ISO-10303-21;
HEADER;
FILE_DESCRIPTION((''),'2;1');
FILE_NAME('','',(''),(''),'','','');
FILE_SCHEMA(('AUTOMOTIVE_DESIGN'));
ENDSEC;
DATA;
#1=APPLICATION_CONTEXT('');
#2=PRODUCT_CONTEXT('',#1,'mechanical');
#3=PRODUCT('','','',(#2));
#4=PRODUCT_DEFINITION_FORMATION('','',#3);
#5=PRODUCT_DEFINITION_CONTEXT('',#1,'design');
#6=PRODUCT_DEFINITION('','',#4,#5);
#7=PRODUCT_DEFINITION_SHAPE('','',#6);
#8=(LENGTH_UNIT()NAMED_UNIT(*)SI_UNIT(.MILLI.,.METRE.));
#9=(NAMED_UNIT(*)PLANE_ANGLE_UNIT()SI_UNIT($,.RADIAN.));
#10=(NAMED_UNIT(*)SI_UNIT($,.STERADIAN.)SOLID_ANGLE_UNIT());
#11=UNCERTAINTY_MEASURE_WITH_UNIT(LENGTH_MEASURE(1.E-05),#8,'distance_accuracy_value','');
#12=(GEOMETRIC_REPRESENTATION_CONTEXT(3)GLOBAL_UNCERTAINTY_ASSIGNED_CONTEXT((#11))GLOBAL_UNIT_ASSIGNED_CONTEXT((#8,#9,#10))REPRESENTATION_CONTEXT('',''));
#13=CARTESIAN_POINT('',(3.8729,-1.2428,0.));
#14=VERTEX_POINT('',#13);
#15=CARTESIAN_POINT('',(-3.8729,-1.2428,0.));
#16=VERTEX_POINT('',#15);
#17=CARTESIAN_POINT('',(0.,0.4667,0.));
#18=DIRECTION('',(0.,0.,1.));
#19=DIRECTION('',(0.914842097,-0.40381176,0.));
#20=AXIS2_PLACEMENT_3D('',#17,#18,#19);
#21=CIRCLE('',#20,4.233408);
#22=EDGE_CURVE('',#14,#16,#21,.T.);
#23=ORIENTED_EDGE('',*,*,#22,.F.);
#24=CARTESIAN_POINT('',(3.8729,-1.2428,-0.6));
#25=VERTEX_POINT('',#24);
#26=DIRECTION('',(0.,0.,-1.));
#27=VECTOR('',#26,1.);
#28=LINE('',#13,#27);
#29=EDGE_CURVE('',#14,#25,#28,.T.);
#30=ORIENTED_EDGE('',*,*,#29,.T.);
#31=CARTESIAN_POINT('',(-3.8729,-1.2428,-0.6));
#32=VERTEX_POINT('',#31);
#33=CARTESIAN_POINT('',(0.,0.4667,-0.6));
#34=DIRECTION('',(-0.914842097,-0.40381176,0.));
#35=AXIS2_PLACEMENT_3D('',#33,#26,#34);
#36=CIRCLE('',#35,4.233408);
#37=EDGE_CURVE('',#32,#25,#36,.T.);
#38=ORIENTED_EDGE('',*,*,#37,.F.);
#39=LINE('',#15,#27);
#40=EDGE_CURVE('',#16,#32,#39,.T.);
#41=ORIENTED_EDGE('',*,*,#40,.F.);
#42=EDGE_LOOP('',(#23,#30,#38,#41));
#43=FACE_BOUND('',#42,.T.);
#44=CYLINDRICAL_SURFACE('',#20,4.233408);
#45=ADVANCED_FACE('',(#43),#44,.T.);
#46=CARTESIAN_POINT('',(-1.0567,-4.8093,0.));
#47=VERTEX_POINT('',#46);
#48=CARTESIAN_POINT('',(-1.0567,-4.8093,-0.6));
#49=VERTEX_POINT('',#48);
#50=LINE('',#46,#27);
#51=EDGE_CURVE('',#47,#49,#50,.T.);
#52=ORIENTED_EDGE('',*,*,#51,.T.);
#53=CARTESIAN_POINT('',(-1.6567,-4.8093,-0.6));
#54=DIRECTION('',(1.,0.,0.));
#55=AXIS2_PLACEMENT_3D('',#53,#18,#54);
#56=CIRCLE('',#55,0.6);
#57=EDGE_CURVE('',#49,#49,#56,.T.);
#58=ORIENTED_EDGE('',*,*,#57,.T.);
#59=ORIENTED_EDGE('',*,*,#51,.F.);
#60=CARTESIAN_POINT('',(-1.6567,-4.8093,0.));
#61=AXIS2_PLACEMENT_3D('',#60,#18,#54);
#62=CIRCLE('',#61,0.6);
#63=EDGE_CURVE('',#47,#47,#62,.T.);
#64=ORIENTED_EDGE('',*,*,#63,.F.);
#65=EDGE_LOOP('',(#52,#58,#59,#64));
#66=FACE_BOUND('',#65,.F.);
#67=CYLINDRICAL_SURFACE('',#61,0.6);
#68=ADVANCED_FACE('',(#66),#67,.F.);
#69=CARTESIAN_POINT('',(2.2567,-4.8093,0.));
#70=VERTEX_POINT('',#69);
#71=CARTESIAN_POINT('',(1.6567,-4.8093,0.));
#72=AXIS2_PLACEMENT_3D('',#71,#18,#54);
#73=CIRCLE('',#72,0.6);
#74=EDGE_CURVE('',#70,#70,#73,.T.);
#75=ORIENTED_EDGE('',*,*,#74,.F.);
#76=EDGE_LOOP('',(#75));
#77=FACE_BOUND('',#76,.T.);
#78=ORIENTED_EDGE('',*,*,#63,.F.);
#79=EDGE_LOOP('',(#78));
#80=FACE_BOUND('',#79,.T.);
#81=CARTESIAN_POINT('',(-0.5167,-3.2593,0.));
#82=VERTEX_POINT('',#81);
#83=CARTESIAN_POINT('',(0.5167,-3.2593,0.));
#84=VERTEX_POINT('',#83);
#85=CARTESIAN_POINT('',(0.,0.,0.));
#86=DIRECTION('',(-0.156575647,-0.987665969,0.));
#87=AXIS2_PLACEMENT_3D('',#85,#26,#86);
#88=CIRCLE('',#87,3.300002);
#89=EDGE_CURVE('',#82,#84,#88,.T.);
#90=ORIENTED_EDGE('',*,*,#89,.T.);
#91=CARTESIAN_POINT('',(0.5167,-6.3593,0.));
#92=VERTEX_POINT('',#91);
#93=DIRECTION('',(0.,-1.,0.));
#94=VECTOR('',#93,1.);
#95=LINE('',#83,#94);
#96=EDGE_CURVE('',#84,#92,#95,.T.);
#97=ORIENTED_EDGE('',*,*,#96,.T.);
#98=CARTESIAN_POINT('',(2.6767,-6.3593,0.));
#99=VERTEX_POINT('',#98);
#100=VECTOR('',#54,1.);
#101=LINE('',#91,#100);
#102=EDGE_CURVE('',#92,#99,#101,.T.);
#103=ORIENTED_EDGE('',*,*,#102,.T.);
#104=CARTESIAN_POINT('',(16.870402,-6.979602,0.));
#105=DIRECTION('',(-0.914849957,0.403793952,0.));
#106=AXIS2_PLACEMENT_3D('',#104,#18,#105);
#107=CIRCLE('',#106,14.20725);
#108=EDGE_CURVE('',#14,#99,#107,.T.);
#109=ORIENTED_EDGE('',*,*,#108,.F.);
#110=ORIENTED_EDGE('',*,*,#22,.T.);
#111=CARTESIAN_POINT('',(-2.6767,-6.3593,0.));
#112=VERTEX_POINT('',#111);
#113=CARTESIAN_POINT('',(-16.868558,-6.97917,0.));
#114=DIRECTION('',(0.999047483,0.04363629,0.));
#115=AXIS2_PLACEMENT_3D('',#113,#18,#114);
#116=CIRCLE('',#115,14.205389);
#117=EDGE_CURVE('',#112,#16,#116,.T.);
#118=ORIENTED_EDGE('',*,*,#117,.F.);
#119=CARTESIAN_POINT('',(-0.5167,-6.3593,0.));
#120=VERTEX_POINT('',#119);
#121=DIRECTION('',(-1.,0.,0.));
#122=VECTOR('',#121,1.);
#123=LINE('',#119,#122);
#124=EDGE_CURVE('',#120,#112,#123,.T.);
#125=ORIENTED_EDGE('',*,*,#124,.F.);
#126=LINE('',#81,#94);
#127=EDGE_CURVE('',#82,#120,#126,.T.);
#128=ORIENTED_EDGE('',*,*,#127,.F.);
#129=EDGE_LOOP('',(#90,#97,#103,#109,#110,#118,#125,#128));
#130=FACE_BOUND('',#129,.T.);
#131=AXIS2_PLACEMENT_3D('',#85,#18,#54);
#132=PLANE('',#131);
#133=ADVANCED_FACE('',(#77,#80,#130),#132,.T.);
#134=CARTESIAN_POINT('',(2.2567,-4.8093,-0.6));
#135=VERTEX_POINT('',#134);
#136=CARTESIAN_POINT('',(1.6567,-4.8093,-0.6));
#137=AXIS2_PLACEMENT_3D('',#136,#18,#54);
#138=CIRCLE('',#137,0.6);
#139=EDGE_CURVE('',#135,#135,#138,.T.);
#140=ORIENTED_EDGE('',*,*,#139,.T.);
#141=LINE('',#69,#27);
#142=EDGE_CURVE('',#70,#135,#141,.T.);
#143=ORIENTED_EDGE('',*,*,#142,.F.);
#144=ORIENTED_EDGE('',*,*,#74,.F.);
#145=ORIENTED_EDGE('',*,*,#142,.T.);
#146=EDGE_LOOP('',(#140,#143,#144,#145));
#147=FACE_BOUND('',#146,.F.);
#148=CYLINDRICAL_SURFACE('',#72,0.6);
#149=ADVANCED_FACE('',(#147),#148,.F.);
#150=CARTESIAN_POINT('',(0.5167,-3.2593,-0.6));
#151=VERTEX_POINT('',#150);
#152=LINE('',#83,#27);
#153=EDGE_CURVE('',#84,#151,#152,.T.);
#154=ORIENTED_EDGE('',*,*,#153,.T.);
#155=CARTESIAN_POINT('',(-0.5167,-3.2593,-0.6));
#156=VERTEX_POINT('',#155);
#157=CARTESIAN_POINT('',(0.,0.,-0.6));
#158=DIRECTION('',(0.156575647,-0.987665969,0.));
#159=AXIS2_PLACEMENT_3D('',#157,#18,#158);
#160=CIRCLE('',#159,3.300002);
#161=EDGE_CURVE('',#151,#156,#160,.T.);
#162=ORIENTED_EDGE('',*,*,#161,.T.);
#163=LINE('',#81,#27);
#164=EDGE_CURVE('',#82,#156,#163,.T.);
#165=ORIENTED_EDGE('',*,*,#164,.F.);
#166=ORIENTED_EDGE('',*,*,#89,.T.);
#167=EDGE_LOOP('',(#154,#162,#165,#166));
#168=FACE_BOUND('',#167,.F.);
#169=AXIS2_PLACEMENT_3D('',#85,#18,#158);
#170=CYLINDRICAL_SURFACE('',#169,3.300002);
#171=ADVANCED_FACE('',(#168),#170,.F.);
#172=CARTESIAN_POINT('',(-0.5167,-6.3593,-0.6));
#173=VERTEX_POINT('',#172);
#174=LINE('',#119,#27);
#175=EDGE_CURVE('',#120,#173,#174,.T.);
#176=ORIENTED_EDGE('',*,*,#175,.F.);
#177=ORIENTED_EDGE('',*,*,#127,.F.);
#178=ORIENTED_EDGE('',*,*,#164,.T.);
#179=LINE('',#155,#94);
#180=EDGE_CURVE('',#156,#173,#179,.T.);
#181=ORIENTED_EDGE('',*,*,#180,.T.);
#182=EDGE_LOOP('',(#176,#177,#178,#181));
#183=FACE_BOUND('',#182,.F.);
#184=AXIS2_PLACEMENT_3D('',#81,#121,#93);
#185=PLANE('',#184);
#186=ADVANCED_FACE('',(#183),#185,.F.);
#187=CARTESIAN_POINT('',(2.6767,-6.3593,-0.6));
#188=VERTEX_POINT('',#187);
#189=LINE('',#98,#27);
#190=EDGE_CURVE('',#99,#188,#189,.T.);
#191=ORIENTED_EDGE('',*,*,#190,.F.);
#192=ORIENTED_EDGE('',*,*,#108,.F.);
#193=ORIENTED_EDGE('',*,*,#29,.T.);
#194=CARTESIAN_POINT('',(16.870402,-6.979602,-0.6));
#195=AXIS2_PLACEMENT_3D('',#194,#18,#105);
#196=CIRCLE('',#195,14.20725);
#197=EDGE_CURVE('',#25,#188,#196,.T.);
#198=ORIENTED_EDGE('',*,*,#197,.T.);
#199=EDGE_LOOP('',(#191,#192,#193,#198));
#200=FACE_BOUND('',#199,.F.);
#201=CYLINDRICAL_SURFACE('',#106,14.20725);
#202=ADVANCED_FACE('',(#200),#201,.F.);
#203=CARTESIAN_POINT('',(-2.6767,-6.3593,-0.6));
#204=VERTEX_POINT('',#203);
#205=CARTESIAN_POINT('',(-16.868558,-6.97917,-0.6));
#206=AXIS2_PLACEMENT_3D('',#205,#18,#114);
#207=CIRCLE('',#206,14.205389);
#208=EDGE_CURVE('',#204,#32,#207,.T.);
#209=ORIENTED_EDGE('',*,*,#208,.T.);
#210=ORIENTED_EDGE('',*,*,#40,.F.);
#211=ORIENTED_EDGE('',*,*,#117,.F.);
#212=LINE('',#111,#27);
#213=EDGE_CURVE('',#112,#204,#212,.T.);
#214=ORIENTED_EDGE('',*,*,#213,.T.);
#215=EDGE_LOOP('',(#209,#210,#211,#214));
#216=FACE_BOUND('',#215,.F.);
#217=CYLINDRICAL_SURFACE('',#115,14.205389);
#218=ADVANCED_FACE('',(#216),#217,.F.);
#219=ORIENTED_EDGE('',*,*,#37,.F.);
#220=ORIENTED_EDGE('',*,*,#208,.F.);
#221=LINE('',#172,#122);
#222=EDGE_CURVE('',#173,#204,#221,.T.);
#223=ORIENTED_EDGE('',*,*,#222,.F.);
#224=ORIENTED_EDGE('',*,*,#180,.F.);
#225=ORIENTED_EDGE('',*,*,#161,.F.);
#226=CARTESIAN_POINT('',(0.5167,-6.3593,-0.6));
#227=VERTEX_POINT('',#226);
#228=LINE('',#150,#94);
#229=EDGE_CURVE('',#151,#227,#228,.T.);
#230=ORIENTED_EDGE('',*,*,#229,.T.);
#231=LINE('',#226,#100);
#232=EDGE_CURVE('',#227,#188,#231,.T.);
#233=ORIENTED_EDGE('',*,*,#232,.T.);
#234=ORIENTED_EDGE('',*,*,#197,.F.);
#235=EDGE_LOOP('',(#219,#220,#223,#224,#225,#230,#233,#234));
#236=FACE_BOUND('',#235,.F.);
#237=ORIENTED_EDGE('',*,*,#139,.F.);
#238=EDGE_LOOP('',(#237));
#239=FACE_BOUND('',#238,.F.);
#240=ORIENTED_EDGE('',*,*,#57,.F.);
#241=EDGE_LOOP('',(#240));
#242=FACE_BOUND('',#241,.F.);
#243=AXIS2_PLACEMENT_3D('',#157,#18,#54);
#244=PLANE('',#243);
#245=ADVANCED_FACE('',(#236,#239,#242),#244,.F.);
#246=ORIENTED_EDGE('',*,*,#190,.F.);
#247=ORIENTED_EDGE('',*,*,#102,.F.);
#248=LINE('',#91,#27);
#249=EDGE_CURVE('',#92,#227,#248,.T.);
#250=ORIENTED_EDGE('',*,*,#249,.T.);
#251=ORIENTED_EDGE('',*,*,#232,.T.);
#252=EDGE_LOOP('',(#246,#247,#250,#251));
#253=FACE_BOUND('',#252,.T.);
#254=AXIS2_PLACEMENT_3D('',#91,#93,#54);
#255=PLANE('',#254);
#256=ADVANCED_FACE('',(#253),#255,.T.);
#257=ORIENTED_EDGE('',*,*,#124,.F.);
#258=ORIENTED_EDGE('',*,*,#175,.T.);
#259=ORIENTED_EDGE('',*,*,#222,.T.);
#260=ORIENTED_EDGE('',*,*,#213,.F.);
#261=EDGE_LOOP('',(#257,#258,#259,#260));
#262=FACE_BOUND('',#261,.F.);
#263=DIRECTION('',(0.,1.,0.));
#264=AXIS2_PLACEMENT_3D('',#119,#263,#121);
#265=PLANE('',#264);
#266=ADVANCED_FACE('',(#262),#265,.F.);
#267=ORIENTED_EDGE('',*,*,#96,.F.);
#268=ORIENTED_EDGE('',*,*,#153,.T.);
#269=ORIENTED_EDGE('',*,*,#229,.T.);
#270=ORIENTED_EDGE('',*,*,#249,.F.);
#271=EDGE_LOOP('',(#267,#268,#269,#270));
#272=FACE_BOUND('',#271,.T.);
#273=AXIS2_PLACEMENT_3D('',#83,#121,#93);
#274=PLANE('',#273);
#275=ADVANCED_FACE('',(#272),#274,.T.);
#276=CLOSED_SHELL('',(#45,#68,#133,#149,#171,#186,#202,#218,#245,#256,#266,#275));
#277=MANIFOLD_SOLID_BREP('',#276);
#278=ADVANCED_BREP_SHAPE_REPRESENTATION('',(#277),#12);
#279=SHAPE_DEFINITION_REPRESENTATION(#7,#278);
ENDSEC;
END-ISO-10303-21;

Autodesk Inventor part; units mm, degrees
ref_plane "YZ Plane" through (0, 0, 0) normal (1, 0, 0) x (0, 1, 0)
ref_plane "XZ Plane" through (0, 0, 0) normal (0, 1, 0) x (-1, 0, 0)
ref_plane "XY Plane" through (0, 0, 0) normal (0, 0, 1) x (1, 0, 0)
sketch "Sketch2" plane through (0, 0, 0) normal (0, 0, 1) x (1, 0, 0)
  line L0 (-0.5167, -6.3593) -> (-2.6767, -6.3593)
  line L1 (-0.5167, -3.2593) -> (-0.5167, -6.3593)
  arc A0 (0.5167, -3.2593) -> (-0.5167, -3.2593) centre (0, 0) ccw
  arc A1 (3.8729, -1.2428) -> (-3.8729, -1.2428) centre (0, 0.4667) ccw
  line L2 (0, -9.3152) -> (0, 7.0359) projected
  line L3 (0.5167, -6.3593) -> (2.6767, -6.3593)
  line L4 (0.5167, -3.2593) -> (0.5167, -6.3593)
  arc A2 (-2.6767, -6.3593) -> (-3.8729, -1.2428) centre (-16.8695, -6.9793) ccw
  arc A3 (3.8729, -1.2428) -> (2.6767, -6.3593) centre (16.8695, -6.9793) ccw
  dimension "d15" = 0.4667
  dimension "d28" = 6.6
  dimension "d32" = 1.4
  dimension "d34" = 3.1
  dimension "d35" = 1.0333
  dimension "d48" = 2.16
  dimension "d49" = 0.62
extrude "Extrusion1" add sketch "Sketch2" against normal blind 0.6
sketch "Sketch3" plane through (0, 0, 0) normal (0, 0, 1) x (1, 0, 0)
  circle A0 centre (-1.6567, -4.8093) radius 0.6
  line L0 (-0.5167, -6.3593) -> (-2.6767, -6.3593) projected
  line L1 (0.5167, -6.3593) -> (0.5167, -3.2593) projected
  line L2 (2.6767, -6.3593) -> (0.5167, -6.3593) projected
  line L3 (0, -6.9793) -> (0, -2.6393) projected
  circle A1 centre (1.6567, -4.8093) radius 0.6
  dimension "d36" = 1.2
  dimension "d37" = 1.55
  dimension "d47" = 3.3133
extrude "Extrusion2" cut sketch "Sketch3" against normal through all
equation "\"d15\" = 0.333333 * b"
equation "\"d28\" = g1"
equation "\"d32\" = b"
equation "\"d34\" = ParA"
equation "\"d35\" = 0.333333 * ParA"
equation "\"d48\" = 1.8 * Diam5"
equation "\"d49\" = 0.2 * ParA"
equation "\"d16\" = tt"
equation "\"d36\" = Diam5"
equation "\"d37\" = 0.5 * ParA"
equation "\"d47\" = 0.333333 * ParA + 1.9 * Diam5"
equation "\"g1\" = 6.6"
equation "\"ParA\" = 3.1"
equation "\"tt\" = 0.6"
equation "\"Diam5\" = 1.2"
equation "\"TEMPLATE\" = 1.2345"
properties part number "ANSI B 27.7M - 3AMI-7" material "Steel, Mild"
